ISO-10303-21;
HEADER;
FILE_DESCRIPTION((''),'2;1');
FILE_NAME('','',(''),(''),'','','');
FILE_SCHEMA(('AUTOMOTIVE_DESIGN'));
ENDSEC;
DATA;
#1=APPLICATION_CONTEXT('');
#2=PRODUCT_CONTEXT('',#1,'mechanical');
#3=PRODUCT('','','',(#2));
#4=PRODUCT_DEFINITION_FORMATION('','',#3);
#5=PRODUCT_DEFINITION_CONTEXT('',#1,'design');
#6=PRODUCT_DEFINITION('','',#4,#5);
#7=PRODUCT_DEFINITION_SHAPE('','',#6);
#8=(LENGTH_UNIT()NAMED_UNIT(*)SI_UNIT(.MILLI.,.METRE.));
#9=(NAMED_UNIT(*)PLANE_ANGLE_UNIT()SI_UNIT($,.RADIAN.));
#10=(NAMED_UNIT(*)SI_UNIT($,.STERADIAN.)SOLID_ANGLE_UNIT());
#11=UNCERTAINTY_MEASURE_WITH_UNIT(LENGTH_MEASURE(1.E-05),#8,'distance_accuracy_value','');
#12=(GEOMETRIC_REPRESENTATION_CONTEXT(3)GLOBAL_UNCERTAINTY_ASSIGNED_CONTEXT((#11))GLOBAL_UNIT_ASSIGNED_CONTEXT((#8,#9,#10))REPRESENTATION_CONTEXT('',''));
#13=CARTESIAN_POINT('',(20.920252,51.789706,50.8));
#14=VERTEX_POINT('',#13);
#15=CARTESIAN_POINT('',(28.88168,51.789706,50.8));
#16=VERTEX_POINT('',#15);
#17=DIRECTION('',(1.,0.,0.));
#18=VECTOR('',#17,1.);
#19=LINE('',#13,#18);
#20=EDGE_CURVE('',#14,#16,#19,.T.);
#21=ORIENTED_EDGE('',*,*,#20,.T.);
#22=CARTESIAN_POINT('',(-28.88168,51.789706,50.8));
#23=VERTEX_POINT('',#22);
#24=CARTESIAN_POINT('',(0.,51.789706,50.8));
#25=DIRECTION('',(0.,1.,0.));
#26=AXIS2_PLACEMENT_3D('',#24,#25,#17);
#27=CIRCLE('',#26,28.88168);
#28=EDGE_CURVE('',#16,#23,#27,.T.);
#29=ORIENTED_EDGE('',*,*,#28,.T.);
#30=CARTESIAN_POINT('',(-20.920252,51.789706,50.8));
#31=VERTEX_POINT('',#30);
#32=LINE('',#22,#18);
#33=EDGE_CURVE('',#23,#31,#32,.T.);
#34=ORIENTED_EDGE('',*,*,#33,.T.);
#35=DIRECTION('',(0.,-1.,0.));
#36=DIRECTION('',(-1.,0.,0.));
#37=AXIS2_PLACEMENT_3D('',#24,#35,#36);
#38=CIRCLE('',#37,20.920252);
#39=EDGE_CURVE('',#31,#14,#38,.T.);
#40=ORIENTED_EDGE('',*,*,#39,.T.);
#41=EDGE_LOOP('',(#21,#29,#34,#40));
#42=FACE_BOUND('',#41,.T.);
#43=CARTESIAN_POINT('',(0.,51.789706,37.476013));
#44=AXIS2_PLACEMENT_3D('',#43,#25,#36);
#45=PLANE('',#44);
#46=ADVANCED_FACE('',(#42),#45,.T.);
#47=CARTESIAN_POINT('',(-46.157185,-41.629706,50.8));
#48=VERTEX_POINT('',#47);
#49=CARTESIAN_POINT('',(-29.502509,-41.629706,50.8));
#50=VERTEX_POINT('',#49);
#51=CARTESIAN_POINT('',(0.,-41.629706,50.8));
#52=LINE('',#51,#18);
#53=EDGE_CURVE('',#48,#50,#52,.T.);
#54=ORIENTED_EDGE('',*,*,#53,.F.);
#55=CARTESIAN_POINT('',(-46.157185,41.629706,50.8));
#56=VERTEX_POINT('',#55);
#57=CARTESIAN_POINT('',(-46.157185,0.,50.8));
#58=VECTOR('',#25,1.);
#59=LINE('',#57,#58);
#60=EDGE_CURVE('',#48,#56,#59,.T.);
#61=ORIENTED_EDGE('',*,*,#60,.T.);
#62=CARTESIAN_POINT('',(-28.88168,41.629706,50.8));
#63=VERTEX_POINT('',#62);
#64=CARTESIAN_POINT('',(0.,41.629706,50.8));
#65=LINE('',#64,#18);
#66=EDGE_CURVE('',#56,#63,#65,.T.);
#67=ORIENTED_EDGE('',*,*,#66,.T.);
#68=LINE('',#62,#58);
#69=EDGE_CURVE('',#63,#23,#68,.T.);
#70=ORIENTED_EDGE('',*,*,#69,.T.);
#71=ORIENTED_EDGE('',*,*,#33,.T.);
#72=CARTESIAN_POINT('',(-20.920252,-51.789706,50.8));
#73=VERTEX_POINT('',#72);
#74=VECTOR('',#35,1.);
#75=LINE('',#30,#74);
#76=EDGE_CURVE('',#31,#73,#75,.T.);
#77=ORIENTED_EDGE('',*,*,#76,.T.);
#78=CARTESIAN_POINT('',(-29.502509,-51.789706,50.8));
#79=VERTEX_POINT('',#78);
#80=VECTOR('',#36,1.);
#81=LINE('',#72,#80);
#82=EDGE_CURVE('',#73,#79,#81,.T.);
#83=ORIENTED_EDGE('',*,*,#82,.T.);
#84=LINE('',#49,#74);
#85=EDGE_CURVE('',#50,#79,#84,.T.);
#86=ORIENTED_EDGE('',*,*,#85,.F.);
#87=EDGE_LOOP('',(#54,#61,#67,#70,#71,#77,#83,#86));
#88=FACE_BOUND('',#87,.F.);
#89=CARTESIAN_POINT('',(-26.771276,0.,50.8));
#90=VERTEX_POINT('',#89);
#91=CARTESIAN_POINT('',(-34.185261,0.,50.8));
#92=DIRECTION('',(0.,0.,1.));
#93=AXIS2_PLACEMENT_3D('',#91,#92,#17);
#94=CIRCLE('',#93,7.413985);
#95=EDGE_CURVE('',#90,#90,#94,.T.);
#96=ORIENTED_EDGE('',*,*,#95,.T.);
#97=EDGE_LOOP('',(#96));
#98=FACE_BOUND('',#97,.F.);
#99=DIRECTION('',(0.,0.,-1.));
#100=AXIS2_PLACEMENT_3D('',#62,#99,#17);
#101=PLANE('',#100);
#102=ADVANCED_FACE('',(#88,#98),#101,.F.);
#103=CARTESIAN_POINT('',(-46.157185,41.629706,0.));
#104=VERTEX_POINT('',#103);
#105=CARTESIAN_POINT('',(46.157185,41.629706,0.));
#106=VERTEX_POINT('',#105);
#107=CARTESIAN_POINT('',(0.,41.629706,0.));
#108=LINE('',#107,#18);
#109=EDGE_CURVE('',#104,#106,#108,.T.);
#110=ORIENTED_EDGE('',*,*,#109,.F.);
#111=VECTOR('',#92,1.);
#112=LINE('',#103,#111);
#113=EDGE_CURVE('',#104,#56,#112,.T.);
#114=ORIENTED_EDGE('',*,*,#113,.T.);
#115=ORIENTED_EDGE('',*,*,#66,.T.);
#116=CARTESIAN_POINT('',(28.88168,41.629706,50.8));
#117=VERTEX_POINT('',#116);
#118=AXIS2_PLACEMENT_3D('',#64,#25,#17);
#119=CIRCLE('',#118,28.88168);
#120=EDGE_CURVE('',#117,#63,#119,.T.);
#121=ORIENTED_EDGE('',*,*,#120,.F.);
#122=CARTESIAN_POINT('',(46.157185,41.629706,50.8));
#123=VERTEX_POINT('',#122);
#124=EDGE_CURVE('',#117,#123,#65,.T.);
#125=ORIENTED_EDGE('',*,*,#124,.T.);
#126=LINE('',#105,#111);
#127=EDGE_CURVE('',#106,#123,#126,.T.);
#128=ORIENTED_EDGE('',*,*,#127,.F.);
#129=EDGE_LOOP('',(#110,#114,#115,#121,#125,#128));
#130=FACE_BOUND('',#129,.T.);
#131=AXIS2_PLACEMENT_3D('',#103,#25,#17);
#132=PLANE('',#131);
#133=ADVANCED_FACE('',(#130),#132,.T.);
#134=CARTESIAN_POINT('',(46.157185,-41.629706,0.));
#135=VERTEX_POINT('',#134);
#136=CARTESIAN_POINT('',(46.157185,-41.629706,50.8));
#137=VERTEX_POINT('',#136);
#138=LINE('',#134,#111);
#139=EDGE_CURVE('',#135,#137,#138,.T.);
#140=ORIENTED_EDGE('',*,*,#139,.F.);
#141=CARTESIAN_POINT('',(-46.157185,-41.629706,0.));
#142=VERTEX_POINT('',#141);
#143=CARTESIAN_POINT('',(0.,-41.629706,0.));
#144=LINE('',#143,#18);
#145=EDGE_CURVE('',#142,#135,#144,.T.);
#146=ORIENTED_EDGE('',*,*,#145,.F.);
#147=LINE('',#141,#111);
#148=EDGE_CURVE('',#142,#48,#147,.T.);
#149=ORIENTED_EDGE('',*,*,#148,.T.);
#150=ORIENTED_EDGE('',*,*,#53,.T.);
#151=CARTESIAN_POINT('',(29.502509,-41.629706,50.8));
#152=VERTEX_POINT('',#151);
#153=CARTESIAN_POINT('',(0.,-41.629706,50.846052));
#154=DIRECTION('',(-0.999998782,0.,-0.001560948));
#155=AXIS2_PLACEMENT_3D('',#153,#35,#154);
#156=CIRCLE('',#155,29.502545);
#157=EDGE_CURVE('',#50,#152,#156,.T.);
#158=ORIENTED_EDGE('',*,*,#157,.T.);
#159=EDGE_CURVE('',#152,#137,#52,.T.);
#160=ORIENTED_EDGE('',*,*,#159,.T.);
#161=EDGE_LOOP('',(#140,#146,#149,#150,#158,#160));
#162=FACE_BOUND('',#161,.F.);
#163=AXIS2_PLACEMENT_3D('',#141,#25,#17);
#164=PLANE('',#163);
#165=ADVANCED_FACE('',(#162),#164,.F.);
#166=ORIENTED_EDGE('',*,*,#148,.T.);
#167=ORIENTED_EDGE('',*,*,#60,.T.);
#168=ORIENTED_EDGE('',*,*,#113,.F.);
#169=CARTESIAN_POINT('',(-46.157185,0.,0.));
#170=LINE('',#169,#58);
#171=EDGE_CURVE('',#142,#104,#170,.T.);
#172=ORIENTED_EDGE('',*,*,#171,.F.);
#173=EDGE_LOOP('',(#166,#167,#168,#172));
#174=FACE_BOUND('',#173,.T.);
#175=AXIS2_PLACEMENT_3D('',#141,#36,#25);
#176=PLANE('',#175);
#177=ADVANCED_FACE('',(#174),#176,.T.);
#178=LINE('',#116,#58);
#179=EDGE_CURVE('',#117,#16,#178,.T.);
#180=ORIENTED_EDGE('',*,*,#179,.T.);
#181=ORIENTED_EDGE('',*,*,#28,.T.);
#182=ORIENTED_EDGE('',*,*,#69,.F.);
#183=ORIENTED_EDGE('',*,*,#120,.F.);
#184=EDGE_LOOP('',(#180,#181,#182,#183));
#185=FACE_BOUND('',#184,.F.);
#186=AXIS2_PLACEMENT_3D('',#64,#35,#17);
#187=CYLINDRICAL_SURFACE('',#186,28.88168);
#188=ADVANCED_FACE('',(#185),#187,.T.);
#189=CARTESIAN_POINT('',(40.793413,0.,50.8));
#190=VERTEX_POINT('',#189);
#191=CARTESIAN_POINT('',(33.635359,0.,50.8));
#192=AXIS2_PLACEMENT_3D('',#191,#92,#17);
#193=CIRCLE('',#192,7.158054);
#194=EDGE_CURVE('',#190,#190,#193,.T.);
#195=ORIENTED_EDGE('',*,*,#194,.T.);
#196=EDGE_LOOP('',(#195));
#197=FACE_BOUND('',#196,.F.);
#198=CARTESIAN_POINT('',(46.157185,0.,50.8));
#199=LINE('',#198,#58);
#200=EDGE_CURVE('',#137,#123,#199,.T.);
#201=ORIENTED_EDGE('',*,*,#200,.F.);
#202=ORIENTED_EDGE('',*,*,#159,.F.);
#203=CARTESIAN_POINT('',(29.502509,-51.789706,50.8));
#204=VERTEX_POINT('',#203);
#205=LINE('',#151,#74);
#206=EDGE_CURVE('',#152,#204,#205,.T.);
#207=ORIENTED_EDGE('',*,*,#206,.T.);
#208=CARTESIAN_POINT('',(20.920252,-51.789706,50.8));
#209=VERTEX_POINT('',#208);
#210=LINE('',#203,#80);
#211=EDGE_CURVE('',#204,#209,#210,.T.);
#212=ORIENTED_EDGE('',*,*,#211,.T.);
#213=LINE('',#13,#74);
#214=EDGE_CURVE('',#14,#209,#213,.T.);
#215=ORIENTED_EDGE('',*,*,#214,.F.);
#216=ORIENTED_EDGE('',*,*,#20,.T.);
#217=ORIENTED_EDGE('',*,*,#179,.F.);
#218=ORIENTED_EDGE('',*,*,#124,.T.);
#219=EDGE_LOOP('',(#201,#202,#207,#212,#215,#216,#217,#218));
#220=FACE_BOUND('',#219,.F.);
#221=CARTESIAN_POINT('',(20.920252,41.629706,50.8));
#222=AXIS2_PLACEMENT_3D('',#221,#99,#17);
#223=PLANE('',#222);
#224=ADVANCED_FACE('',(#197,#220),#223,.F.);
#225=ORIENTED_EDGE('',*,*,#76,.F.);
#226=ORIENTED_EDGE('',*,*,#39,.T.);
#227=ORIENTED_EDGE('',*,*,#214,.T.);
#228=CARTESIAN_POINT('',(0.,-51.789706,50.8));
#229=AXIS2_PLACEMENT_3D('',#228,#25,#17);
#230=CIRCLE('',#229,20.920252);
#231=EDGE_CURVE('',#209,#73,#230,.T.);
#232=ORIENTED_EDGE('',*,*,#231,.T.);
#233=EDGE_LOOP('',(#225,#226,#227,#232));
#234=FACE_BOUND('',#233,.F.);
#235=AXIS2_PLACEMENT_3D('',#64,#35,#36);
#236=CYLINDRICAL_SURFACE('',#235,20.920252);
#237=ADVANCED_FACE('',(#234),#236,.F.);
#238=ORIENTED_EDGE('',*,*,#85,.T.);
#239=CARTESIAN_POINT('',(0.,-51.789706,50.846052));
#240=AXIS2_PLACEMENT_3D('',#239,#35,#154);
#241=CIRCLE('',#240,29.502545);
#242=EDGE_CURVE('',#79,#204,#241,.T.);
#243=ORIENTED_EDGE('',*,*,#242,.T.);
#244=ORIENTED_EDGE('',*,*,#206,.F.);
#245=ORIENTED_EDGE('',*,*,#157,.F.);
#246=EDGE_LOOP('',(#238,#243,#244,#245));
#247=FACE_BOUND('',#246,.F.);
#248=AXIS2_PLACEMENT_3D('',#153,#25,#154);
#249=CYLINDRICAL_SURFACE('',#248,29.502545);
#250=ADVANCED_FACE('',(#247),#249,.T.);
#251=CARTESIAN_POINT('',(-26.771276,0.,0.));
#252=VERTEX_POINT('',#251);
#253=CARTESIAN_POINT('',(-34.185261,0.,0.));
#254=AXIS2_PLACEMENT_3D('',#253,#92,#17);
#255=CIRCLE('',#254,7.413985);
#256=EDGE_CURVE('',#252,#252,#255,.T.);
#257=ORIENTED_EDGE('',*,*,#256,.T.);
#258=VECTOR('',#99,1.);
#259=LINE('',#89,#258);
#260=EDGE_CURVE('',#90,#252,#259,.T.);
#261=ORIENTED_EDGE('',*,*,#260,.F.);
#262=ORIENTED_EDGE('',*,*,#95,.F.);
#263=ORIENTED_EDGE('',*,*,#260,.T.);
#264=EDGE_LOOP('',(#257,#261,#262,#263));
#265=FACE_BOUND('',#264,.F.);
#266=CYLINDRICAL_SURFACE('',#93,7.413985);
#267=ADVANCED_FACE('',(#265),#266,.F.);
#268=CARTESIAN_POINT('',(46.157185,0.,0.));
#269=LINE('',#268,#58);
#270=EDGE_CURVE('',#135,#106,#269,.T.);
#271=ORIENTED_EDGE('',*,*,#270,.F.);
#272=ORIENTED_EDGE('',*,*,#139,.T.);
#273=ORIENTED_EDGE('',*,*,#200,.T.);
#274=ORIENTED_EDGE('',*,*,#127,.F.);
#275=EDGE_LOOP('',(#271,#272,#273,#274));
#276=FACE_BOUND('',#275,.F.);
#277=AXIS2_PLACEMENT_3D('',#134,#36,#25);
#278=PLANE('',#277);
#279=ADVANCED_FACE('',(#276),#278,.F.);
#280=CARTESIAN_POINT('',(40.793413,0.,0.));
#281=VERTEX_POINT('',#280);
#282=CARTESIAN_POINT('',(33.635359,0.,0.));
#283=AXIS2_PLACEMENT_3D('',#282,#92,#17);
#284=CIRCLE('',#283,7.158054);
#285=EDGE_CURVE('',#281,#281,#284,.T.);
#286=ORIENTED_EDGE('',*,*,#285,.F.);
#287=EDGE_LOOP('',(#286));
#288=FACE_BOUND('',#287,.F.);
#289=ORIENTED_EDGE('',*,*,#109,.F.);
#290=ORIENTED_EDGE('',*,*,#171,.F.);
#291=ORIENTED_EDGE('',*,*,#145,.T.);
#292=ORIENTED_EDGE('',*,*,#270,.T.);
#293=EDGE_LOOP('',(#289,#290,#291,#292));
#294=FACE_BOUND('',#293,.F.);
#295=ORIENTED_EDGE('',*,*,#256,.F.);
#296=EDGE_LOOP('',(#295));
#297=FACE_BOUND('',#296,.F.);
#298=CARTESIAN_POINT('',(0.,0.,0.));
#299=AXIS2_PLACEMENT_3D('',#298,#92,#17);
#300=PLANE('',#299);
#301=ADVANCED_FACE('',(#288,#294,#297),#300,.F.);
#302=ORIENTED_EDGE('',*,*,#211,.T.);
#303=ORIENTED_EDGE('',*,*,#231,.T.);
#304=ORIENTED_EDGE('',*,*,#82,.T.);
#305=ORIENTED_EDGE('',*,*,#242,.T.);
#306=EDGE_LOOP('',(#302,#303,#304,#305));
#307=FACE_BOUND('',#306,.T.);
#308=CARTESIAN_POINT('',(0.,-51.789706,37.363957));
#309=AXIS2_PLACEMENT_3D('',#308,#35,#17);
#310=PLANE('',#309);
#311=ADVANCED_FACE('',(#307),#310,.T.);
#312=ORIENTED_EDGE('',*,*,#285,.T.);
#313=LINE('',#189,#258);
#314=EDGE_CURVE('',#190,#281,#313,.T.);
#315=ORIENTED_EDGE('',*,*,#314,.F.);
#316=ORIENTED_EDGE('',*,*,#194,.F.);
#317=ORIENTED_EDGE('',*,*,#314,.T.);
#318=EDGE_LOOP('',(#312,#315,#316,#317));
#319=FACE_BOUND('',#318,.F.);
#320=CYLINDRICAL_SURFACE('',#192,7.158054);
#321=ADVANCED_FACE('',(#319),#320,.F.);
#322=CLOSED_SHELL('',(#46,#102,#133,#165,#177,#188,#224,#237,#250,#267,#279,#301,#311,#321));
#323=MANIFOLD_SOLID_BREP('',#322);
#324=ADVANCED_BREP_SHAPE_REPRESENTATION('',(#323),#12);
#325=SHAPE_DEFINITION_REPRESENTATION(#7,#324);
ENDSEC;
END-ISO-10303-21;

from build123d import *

# Parameters (mm, degrees)
F0_W     = 92.31437
F0_H     = 83.259412
F1_DEPTH = 50.8
F4_DEPTH = 127
F5_DEPTH = 10.16
F7_DEPTH = 10.16
F8_R     = 7.158054
F8_R_2   = 7.413985
F9_DEPTH = 152.4


with BuildPart() as f1:
    # F0 (on Top) → F1 (new body)
    with BuildSketch(Plane.XY):
        Rectangle(F0_W, F0_H)
    extrude(amount=F1_DEPTH)

    # F2 (on face) → F4 (cut)
    with BuildSketch(Plane.XZ.offset(41.629706)):
        with BuildLine():
            Line((20.920252, 50.8), (-20.920252, 50.8))
            ThreePointArc((-20.920252, 50.8), (0, 29.879748), (20.920252, 50.8))
        make_face()
    extrude(amount=-F4_DEPTH, mode=Mode.SUBTRACT)

    # F3 (on face) → F5 (join)
    with BuildSketch(Plane.XZ.offset(41.629706)):
        with BuildLine():
            Line((-20.920252, 50.8), (-29.502509, 50.8))
            ThreePointArc((-29.502509, 50.8), (0, 21.343507), (29.502509, 50.8))
            Line((29.502509, 50.8), (20.920252, 50.8))
            ThreePointArc((20.920252, 50.8), (0, 29.879748), (-20.920252, 50.8))
        make_face()
    extrude(amount=F5_DEPTH)

    # F6 (on face) → F7 (join)
    with BuildSketch(Plane(origin=(0, 41.629706, 0), x_dir=(-1, 0, 0), z_dir=(0, 1, 0))):
        with BuildLine():
            Line((-20.920252, 50.8), (-28.88168, 50.8))
            ThreePointArc((-28.88168, 50.8), (0, 21.91832), (28.88168, 50.8))
            Line((28.88168, 50.8), (20.920252, 50.8))
            ThreePointArc((20.920252, 50.8), (0, 29.879748), (-20.920252, 50.8))
        make_face()
    extrude(amount=F7_DEPTH)

    # F8 (on face) → F9 (cut)
    with BuildSketch(Plane.XY.offset(50.8)):
        with Locations((33.635359, 0)):
            Circle(F8_R)
        with Locations((-34.185261, 0)):
            Circle(F8_R_2)
    extrude(amount=-F9_DEPTH, mode=Mode.SUBTRACT)


solid = f1.part
